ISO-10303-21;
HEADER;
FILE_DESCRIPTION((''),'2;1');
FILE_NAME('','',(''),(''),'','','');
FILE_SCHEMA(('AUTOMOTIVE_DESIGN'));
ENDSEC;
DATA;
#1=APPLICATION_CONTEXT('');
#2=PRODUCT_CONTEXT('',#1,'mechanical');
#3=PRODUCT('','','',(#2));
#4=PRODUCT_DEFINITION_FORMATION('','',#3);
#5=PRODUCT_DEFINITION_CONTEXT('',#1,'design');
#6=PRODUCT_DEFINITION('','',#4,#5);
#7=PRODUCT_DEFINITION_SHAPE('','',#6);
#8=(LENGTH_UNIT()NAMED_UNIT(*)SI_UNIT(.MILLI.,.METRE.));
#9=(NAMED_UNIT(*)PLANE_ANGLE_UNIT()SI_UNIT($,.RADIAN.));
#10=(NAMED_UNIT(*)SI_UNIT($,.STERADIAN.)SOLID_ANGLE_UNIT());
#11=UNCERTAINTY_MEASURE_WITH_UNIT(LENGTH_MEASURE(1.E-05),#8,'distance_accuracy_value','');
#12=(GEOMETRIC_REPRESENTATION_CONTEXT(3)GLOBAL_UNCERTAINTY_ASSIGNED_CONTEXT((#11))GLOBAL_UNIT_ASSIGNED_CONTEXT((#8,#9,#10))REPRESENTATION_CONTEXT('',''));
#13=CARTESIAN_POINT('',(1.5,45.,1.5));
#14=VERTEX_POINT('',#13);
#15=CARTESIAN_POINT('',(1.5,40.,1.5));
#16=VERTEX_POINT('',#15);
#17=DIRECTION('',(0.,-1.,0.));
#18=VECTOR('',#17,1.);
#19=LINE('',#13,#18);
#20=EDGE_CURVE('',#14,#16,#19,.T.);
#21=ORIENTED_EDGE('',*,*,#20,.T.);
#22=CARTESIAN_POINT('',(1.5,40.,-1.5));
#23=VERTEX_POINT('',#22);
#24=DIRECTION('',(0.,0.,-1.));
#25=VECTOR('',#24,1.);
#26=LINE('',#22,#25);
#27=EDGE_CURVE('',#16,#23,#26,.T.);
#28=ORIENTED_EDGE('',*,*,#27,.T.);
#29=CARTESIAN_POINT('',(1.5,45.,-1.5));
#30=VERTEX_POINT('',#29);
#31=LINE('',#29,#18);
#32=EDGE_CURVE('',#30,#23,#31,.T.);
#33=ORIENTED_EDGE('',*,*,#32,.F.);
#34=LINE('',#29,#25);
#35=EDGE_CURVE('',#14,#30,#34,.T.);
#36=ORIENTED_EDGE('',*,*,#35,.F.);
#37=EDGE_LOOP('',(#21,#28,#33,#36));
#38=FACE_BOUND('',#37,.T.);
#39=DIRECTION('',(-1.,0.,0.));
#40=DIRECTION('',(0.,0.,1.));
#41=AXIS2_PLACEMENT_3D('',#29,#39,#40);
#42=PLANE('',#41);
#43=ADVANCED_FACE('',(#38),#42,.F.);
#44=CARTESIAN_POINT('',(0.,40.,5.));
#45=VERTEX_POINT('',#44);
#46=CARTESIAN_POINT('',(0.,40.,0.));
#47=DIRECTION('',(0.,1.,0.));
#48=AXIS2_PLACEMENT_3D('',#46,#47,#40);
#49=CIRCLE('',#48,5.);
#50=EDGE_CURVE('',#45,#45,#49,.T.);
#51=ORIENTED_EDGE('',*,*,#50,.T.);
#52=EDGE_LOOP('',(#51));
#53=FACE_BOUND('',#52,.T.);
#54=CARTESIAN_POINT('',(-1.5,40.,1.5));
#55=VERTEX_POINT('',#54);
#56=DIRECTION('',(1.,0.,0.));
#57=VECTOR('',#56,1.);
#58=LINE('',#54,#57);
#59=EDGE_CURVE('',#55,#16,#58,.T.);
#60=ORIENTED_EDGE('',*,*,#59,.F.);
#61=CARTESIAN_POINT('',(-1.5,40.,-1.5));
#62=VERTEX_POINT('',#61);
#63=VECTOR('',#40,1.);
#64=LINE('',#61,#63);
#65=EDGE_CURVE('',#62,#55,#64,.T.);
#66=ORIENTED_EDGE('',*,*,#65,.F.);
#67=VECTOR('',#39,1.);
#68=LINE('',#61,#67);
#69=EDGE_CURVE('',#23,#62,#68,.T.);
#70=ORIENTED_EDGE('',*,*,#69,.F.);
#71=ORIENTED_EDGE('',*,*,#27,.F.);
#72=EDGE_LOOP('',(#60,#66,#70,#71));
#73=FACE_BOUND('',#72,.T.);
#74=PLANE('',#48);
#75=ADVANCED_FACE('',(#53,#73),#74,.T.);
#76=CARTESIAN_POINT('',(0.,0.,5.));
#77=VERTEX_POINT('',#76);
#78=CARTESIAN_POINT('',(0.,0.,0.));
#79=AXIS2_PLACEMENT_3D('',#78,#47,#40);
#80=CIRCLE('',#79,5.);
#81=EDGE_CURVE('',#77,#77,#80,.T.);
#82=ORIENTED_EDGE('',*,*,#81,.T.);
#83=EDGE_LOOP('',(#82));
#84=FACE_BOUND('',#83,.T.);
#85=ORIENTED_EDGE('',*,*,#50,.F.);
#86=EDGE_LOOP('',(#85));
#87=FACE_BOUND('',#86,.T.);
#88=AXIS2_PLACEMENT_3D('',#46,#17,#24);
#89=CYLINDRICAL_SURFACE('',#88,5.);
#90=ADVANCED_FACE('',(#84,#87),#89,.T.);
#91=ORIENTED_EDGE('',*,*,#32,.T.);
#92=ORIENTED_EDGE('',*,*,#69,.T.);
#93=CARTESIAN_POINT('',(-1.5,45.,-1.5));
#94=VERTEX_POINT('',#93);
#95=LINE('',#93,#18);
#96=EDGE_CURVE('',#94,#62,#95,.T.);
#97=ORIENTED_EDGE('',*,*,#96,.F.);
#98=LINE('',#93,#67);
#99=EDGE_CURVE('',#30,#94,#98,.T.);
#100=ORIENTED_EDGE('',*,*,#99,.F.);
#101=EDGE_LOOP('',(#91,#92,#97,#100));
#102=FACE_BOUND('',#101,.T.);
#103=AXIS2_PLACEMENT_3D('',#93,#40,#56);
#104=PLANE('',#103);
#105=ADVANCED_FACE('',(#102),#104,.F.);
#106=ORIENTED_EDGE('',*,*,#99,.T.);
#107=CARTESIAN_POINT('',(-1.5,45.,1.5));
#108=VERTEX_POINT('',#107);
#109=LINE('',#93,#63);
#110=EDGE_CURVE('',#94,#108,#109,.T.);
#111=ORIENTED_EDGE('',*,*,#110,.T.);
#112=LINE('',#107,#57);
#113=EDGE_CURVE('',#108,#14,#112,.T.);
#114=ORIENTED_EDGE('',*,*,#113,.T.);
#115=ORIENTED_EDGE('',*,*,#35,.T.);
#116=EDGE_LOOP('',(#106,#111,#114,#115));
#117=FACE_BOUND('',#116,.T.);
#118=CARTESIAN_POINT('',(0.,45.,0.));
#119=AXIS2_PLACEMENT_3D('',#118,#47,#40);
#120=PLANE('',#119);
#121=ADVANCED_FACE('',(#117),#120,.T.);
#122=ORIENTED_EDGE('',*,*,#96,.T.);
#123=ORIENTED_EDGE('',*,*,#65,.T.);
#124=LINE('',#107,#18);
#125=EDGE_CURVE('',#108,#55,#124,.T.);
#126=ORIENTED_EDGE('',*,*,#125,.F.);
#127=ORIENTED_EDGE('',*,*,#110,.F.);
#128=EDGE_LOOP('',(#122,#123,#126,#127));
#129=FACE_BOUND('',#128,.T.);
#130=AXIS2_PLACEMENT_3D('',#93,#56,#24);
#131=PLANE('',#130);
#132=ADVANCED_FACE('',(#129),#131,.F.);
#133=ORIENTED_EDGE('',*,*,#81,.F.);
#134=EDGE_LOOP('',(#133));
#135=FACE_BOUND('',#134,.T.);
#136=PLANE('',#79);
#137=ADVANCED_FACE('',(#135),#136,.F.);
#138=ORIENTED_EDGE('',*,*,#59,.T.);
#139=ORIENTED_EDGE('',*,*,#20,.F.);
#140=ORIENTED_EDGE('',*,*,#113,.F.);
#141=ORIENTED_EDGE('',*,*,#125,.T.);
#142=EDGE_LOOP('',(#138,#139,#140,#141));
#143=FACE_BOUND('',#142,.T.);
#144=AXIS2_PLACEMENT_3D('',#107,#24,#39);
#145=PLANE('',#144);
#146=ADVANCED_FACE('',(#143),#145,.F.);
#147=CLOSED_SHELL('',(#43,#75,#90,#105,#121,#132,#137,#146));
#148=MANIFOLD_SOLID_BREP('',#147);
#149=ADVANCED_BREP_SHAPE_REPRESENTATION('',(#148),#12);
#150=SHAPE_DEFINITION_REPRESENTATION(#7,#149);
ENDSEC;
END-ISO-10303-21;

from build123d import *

# Parameters (mm, degrees)
SKETCH1_R           = 5
BOSS_EXTRUDE1_DEPTH = 40
SKETCH2_W           = 3
SKETCH2_H           = 3
BOSS_EXTRUDE2_DEPTH = 5


with BuildPart() as part:
    # Sketch1 → Boss-Extrude1 (new body)
    with BuildSketch(Plane(origin=(0, 0, 0), x_dir=(1, 0, 0), z_dir=(0, 1, 0))):
        Circle(SKETCH1_R)
    extrude(amount=BOSS_EXTRUDE1_DEPTH)

    # Sketch2 → Boss-Extrude2 (add)
    with BuildSketch(Plane(origin=(0, 40, 0), x_dir=(1, 0, 0), z_dir=(0, 1, 0))):
        Rectangle(SKETCH2_W, SKETCH2_H)
    extrude(amount=BOSS_EXTRUDE2_DEPTH)


solid = part.part
